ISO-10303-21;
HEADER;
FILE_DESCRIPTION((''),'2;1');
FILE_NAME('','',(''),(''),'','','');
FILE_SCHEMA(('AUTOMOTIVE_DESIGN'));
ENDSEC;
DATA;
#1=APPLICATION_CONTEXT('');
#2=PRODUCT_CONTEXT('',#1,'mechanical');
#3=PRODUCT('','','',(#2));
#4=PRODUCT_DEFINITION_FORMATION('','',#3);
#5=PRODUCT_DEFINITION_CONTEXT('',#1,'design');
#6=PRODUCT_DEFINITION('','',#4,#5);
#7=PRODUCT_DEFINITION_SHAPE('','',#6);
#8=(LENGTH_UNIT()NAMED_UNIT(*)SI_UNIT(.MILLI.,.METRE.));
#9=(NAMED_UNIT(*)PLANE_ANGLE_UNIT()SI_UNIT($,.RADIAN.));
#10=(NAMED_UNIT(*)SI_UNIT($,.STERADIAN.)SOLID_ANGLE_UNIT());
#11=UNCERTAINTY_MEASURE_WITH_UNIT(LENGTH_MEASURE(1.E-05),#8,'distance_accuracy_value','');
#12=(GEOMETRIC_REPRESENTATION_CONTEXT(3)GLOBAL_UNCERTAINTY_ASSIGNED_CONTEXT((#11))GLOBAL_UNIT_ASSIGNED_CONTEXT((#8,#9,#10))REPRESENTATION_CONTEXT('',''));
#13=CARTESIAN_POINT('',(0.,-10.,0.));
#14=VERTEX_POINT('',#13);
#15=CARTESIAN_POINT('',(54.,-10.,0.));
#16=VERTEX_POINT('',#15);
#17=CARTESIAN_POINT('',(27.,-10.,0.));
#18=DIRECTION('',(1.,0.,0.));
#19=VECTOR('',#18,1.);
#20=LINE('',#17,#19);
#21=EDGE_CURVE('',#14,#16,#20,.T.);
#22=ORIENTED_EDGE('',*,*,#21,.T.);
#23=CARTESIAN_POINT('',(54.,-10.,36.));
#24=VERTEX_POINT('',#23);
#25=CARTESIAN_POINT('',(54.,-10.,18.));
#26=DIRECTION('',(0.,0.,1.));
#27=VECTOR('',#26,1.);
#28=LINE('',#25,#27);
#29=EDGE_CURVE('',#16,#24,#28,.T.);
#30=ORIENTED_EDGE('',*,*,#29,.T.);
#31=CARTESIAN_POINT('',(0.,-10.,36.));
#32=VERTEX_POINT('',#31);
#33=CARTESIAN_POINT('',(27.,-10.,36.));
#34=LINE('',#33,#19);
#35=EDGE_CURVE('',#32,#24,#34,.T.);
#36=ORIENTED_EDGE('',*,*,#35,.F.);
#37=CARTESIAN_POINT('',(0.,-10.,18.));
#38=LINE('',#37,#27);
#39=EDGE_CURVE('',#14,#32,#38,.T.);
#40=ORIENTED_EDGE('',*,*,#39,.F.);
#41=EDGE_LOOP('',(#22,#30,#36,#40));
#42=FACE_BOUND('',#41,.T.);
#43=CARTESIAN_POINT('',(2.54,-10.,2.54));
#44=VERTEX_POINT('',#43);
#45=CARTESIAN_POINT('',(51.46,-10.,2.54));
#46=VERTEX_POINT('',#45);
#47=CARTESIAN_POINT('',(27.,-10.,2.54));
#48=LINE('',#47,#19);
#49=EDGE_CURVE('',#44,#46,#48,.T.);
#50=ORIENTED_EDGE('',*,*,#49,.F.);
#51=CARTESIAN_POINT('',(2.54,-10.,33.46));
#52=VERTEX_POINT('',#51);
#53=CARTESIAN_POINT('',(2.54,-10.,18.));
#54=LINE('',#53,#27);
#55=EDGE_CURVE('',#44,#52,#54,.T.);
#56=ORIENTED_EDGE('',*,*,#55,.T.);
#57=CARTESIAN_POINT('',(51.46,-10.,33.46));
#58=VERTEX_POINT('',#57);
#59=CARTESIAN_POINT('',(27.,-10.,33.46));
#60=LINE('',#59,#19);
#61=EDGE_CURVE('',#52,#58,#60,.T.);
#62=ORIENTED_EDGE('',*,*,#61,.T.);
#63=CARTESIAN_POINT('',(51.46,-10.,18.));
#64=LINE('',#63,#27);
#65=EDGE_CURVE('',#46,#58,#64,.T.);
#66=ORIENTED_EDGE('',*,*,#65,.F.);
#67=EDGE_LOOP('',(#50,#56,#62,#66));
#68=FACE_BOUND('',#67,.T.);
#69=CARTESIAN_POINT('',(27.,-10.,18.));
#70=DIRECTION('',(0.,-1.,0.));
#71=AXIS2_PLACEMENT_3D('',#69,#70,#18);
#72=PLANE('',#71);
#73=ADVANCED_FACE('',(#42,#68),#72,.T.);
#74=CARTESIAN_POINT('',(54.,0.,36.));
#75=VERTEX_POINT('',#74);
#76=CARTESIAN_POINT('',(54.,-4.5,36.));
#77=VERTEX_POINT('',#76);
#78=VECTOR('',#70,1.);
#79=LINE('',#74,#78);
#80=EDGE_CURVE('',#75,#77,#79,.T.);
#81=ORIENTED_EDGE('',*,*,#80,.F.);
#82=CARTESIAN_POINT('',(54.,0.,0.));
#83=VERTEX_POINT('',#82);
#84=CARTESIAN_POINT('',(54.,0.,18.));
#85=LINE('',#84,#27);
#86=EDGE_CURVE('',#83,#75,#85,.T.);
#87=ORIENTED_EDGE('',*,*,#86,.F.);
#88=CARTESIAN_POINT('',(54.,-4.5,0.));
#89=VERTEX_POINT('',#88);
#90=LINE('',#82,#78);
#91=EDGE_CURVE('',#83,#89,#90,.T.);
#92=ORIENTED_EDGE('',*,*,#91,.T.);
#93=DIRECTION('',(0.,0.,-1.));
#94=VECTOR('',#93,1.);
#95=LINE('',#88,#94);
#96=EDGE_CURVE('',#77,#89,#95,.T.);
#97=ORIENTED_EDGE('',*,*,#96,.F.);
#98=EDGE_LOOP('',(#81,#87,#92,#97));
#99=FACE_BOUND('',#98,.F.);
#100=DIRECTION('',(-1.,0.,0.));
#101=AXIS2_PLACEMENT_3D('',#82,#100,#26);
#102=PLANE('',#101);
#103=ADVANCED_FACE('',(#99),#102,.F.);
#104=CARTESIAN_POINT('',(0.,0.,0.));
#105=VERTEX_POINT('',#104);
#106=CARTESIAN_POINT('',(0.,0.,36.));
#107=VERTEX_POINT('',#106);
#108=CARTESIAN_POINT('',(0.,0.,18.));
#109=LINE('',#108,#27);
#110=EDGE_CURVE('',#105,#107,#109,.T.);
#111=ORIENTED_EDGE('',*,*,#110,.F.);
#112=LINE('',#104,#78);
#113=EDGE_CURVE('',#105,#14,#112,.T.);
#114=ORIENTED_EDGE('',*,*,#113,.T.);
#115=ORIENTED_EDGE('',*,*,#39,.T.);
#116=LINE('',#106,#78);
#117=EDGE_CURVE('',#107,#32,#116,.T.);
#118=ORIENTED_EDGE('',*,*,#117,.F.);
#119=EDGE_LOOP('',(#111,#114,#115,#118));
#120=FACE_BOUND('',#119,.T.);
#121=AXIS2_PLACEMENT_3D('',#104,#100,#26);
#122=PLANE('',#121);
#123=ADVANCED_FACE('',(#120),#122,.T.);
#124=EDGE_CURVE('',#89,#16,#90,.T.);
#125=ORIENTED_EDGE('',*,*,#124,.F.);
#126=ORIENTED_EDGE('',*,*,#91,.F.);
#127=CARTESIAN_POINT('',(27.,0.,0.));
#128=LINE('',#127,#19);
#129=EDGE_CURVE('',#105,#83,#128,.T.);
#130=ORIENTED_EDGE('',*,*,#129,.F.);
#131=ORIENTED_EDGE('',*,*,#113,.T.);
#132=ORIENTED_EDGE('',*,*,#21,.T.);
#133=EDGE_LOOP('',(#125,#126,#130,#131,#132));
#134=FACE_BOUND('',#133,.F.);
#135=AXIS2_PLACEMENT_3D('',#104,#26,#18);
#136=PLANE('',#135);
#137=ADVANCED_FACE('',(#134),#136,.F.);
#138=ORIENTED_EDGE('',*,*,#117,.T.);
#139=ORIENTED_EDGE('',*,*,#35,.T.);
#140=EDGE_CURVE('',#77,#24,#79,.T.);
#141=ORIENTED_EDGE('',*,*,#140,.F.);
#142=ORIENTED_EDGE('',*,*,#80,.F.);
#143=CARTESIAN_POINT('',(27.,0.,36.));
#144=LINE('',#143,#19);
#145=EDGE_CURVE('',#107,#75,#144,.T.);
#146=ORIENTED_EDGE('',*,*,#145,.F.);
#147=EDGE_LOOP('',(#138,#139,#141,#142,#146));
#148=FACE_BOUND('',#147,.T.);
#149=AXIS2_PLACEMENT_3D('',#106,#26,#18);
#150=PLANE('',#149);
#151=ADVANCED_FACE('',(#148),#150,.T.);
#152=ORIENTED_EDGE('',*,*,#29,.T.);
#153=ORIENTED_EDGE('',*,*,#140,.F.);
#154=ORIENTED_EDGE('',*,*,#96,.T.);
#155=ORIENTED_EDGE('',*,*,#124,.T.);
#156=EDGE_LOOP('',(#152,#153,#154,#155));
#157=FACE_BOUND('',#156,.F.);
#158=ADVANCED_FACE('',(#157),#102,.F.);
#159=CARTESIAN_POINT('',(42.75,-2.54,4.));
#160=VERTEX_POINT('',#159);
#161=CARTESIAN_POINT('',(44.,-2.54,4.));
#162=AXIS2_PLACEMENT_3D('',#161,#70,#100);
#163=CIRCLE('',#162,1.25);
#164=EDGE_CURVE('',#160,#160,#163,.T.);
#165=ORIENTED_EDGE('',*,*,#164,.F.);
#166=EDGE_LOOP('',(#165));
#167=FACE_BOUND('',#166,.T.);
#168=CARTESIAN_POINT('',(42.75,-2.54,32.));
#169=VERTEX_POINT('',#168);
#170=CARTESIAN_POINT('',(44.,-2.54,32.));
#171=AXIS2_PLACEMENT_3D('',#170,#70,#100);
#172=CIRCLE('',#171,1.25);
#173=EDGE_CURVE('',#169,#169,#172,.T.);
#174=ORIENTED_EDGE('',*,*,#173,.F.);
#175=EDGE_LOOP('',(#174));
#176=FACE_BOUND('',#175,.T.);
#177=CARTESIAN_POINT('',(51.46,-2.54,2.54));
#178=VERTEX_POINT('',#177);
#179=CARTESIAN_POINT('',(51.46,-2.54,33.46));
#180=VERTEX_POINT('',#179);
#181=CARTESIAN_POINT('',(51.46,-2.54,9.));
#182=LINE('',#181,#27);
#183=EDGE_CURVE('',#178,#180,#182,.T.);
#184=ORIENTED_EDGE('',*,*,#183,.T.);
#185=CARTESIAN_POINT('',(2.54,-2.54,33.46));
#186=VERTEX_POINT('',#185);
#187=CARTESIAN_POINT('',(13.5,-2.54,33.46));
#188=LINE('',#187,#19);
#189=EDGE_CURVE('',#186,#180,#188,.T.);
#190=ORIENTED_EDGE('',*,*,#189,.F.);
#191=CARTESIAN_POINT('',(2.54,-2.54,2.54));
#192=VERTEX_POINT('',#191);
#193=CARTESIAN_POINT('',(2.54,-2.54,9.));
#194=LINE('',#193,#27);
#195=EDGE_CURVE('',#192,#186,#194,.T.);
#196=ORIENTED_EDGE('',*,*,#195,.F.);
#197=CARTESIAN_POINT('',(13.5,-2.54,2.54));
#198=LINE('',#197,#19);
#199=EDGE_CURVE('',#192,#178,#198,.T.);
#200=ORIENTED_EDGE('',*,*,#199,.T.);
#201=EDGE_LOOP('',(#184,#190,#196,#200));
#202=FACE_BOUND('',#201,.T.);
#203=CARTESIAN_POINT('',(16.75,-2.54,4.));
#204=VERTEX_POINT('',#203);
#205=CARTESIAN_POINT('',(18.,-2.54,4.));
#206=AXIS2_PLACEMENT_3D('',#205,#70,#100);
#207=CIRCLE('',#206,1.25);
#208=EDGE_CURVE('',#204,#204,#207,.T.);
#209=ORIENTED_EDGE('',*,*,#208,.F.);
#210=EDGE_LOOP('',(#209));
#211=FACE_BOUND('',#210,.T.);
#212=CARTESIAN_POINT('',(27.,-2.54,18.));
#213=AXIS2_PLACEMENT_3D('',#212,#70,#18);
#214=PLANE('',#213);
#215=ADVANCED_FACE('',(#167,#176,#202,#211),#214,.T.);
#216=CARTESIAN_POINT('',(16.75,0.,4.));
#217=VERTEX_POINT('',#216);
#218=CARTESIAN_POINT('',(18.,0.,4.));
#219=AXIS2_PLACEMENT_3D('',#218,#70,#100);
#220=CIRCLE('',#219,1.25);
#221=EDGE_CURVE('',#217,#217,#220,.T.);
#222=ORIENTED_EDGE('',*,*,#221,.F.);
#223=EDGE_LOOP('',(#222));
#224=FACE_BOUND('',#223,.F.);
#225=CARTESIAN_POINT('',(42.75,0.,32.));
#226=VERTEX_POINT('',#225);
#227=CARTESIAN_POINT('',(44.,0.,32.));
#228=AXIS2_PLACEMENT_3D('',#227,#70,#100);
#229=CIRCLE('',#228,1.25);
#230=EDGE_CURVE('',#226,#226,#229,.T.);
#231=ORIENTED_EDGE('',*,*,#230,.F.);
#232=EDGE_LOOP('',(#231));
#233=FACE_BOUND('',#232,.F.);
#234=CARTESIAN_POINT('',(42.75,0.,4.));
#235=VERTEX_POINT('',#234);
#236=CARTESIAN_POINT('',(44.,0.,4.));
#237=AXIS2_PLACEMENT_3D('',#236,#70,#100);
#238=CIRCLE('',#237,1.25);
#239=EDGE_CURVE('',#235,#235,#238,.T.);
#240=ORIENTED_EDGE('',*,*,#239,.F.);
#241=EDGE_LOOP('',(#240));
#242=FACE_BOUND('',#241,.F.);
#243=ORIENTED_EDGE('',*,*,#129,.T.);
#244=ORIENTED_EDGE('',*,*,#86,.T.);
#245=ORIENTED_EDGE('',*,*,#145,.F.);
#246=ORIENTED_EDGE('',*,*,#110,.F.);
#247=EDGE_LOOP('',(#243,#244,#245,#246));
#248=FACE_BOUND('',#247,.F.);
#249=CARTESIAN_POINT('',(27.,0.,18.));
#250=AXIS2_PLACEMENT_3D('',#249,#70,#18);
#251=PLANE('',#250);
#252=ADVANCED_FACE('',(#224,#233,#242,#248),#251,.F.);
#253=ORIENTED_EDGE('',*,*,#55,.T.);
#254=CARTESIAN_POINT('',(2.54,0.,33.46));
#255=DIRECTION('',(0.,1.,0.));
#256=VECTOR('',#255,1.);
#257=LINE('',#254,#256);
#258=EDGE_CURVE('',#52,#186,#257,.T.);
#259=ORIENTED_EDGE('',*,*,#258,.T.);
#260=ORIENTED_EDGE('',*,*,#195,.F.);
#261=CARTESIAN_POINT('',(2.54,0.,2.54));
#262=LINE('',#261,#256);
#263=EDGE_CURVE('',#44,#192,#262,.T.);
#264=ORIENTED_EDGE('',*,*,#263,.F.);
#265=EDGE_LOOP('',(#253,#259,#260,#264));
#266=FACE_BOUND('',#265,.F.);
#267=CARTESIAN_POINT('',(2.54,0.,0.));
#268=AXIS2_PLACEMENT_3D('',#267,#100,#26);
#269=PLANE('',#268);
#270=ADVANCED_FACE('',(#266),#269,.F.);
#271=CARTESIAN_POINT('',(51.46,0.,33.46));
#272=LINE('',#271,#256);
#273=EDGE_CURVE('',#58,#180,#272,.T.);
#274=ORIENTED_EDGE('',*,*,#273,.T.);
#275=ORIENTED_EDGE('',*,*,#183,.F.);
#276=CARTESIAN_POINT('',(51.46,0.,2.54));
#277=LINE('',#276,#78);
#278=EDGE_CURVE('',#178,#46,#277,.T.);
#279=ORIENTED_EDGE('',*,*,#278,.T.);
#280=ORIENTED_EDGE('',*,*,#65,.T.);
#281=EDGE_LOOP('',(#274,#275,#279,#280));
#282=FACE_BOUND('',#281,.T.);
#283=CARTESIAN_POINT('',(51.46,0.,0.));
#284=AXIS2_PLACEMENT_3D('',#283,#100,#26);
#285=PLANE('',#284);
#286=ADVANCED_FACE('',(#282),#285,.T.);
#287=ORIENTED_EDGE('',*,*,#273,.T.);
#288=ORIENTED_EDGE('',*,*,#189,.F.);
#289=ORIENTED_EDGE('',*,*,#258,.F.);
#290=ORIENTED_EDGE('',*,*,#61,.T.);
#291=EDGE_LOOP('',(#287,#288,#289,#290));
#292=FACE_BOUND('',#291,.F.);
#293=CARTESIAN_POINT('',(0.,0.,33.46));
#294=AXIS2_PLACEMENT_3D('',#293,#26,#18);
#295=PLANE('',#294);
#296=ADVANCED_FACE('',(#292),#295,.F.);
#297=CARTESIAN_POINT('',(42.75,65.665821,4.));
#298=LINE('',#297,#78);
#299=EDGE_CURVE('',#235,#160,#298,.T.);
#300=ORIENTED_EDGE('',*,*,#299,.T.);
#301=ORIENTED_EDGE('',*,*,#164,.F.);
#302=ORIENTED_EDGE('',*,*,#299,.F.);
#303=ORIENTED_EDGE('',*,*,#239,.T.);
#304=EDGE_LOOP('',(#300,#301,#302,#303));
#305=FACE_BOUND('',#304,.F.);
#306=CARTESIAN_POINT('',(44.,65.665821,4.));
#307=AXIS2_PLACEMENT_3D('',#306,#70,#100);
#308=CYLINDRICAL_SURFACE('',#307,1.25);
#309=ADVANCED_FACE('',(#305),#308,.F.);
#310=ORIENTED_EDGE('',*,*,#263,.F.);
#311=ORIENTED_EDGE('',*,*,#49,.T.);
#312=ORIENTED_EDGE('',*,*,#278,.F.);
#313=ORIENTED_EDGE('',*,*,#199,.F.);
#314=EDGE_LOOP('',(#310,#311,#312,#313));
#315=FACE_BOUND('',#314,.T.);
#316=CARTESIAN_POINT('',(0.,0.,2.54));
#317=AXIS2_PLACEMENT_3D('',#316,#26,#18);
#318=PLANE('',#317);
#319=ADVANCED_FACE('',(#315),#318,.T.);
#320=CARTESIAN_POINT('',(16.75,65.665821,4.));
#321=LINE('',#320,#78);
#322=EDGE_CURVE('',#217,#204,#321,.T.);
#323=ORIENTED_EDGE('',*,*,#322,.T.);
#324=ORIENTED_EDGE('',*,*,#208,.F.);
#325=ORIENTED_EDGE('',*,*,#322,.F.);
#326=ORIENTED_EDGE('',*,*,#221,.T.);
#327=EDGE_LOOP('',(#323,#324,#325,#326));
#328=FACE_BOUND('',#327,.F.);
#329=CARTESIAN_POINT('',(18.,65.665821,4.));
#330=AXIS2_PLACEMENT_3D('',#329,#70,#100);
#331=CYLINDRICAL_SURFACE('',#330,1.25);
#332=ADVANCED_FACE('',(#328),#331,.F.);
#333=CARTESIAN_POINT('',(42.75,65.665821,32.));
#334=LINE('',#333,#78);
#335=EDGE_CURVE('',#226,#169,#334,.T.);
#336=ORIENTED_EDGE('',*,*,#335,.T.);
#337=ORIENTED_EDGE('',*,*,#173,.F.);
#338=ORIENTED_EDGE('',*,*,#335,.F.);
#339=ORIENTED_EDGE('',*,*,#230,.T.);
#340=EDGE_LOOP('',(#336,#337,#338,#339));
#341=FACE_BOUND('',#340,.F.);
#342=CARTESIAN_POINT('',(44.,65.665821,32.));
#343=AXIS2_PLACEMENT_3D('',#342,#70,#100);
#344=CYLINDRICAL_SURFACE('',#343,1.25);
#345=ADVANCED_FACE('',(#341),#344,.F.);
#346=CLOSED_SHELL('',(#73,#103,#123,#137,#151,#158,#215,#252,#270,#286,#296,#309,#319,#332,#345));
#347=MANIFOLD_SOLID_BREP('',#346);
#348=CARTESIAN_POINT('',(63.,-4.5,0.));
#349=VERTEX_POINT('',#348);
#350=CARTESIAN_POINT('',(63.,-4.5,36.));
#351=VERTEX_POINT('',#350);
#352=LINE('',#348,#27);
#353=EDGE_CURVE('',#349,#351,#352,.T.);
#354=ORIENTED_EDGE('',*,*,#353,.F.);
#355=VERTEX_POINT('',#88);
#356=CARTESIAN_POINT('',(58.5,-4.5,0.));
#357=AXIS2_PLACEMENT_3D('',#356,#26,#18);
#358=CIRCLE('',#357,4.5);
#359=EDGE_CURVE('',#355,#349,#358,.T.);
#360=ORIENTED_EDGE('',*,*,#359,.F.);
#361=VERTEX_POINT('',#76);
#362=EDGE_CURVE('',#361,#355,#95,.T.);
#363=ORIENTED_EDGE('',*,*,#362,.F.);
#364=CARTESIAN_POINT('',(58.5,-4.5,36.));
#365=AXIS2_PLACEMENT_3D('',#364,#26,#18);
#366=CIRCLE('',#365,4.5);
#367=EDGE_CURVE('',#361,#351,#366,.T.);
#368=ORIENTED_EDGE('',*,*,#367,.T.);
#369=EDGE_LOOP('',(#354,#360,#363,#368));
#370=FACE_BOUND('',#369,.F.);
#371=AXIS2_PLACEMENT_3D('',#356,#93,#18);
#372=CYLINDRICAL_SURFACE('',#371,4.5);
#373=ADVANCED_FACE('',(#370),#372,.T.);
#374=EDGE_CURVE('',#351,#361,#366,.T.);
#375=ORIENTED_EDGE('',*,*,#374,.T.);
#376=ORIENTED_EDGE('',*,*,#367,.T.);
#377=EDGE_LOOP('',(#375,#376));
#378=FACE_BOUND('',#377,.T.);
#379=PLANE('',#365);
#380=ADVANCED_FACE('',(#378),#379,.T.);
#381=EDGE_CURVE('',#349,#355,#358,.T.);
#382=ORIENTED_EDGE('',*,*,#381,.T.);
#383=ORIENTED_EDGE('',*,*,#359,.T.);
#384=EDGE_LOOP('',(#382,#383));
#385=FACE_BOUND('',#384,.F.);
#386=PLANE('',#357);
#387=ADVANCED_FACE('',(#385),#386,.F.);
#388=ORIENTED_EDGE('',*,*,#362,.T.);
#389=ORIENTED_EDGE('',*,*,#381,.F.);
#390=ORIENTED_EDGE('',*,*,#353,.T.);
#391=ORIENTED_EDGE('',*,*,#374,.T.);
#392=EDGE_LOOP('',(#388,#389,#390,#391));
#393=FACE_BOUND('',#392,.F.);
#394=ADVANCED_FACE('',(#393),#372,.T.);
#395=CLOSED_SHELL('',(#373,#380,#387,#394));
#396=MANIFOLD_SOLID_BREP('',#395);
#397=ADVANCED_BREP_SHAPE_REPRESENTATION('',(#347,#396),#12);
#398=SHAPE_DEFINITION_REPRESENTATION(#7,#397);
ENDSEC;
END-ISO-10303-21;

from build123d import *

# Parameters (mm, degrees)
F1_W     = 54
F1_H     = 36
F2_DEPTH = 10
F3_T     = -2.54
F4_D     = 2.5
F5_R     = 4.5
F6_DEPTH = 36


with BuildPart() as f2:
    # F1 (on Front) → F2 (new body)
    with BuildSketch(Plane.XZ):
        with Locations((27, 18)):
            Rectangle(F1_W, F1_H)
    extrude(amount=F2_DEPTH)

    # F3
    f3_openings = [f2.faces().sort_by_distance(p)[0] for p in [
        (27, -10, 18),
    ]]
    offset(amount=F3_T, openings=f3_openings)

    # F4 (through all)
    with Locations(Plane(origin=(0, 0, 0), x_dir=(1, 0, 0), z_dir=(0, 1, 0))):
        with Locations((44, -4), (44, -32), (18, -4)):
            Hole(F4_D / 2)

    # F5 (on Top) → F6 (join, through all)
    with BuildSketch(Plane.XY):
        with Locations((58.5, -4.5)):
            Circle(F5_R)
    extrude(amount=F6_DEPTH)


solid = f2.part
